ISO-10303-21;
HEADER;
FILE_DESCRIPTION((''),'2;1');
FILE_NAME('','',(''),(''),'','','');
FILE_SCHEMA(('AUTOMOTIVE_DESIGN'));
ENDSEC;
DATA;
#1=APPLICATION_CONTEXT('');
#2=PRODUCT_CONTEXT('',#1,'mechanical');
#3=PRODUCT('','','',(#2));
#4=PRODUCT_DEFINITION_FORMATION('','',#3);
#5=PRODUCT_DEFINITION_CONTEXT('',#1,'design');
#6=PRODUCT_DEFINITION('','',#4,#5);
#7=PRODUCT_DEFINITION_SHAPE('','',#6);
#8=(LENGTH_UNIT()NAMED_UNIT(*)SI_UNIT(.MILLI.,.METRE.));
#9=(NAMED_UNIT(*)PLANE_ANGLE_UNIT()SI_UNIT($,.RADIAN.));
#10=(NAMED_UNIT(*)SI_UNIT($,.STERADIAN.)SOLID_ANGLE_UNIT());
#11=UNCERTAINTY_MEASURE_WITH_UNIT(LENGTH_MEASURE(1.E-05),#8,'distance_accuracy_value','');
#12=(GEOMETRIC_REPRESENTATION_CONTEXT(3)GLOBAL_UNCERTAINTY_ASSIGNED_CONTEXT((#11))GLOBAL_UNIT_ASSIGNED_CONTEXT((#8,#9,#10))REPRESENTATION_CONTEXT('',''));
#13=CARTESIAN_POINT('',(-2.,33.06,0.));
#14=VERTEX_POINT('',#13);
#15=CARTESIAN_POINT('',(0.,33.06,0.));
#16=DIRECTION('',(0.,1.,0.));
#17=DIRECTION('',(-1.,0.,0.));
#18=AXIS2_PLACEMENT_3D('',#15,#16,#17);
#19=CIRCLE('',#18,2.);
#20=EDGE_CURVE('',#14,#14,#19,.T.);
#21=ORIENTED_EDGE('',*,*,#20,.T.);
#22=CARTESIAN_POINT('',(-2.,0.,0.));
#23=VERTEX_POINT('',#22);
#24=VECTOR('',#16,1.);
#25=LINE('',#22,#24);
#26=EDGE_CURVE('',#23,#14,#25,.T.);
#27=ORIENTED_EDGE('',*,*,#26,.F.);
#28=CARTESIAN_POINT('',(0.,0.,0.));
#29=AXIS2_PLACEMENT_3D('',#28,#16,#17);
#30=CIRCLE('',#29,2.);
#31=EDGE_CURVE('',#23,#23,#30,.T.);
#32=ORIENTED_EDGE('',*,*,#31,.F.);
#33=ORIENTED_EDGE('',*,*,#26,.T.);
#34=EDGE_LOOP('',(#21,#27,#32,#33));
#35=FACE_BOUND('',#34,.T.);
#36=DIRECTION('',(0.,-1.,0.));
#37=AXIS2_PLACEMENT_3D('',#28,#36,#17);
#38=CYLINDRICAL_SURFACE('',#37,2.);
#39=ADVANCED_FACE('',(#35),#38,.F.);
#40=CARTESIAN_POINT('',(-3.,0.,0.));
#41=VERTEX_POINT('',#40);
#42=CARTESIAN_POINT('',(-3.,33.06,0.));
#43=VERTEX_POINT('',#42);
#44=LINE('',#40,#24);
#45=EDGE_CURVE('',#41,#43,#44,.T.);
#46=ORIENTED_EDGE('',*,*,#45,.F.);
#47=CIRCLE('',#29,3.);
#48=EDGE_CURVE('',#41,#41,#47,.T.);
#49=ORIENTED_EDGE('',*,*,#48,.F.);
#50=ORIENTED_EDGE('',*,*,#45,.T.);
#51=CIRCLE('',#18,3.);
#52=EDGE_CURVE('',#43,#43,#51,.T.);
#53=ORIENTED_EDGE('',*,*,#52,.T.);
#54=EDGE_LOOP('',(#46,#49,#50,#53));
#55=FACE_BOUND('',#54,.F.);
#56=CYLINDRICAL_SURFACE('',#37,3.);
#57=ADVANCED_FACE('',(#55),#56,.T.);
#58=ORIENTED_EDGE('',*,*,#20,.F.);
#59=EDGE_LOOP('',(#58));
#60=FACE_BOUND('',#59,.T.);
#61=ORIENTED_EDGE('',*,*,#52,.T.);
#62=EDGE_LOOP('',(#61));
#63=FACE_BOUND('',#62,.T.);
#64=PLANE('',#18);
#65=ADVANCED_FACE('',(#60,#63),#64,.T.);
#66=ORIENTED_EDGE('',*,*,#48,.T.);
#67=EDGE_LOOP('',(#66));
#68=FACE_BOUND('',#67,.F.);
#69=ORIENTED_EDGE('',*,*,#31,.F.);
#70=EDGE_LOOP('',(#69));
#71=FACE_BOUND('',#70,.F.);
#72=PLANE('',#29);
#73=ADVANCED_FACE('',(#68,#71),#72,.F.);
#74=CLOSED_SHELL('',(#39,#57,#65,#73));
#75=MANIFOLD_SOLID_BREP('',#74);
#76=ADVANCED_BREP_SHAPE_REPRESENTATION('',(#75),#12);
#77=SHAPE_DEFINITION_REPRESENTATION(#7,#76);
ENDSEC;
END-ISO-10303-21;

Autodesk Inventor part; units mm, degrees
ref_plane "YZ Plane" through (0, 0, 0) normal (1, 0, 0) x (0, 1, 0)
ref_plane "XZ Plane" through (0, 0, 0) normal (0, 1, 0) x (-1, 0, 0)
ref_plane "XY Plane" through (0, 0, 0) normal (0, 0, 1) x (1, 0, 0)
sketch "スケッチ1" plane through (0, 0, 0) normal (0, 1, 0) x (-1, 0, 0)
  circle A0 centre (0, 0) radius 2
  circle A1 centre (0, 0) radius 3
  dimension "d0" = 4
  dimension "d1" = 6
extrude "押し出し1" add sketch "スケッチ1" along normal blind 33.06
properties part number "omu_sh_jo_3" material "アルミニウム 6061-AHC"
